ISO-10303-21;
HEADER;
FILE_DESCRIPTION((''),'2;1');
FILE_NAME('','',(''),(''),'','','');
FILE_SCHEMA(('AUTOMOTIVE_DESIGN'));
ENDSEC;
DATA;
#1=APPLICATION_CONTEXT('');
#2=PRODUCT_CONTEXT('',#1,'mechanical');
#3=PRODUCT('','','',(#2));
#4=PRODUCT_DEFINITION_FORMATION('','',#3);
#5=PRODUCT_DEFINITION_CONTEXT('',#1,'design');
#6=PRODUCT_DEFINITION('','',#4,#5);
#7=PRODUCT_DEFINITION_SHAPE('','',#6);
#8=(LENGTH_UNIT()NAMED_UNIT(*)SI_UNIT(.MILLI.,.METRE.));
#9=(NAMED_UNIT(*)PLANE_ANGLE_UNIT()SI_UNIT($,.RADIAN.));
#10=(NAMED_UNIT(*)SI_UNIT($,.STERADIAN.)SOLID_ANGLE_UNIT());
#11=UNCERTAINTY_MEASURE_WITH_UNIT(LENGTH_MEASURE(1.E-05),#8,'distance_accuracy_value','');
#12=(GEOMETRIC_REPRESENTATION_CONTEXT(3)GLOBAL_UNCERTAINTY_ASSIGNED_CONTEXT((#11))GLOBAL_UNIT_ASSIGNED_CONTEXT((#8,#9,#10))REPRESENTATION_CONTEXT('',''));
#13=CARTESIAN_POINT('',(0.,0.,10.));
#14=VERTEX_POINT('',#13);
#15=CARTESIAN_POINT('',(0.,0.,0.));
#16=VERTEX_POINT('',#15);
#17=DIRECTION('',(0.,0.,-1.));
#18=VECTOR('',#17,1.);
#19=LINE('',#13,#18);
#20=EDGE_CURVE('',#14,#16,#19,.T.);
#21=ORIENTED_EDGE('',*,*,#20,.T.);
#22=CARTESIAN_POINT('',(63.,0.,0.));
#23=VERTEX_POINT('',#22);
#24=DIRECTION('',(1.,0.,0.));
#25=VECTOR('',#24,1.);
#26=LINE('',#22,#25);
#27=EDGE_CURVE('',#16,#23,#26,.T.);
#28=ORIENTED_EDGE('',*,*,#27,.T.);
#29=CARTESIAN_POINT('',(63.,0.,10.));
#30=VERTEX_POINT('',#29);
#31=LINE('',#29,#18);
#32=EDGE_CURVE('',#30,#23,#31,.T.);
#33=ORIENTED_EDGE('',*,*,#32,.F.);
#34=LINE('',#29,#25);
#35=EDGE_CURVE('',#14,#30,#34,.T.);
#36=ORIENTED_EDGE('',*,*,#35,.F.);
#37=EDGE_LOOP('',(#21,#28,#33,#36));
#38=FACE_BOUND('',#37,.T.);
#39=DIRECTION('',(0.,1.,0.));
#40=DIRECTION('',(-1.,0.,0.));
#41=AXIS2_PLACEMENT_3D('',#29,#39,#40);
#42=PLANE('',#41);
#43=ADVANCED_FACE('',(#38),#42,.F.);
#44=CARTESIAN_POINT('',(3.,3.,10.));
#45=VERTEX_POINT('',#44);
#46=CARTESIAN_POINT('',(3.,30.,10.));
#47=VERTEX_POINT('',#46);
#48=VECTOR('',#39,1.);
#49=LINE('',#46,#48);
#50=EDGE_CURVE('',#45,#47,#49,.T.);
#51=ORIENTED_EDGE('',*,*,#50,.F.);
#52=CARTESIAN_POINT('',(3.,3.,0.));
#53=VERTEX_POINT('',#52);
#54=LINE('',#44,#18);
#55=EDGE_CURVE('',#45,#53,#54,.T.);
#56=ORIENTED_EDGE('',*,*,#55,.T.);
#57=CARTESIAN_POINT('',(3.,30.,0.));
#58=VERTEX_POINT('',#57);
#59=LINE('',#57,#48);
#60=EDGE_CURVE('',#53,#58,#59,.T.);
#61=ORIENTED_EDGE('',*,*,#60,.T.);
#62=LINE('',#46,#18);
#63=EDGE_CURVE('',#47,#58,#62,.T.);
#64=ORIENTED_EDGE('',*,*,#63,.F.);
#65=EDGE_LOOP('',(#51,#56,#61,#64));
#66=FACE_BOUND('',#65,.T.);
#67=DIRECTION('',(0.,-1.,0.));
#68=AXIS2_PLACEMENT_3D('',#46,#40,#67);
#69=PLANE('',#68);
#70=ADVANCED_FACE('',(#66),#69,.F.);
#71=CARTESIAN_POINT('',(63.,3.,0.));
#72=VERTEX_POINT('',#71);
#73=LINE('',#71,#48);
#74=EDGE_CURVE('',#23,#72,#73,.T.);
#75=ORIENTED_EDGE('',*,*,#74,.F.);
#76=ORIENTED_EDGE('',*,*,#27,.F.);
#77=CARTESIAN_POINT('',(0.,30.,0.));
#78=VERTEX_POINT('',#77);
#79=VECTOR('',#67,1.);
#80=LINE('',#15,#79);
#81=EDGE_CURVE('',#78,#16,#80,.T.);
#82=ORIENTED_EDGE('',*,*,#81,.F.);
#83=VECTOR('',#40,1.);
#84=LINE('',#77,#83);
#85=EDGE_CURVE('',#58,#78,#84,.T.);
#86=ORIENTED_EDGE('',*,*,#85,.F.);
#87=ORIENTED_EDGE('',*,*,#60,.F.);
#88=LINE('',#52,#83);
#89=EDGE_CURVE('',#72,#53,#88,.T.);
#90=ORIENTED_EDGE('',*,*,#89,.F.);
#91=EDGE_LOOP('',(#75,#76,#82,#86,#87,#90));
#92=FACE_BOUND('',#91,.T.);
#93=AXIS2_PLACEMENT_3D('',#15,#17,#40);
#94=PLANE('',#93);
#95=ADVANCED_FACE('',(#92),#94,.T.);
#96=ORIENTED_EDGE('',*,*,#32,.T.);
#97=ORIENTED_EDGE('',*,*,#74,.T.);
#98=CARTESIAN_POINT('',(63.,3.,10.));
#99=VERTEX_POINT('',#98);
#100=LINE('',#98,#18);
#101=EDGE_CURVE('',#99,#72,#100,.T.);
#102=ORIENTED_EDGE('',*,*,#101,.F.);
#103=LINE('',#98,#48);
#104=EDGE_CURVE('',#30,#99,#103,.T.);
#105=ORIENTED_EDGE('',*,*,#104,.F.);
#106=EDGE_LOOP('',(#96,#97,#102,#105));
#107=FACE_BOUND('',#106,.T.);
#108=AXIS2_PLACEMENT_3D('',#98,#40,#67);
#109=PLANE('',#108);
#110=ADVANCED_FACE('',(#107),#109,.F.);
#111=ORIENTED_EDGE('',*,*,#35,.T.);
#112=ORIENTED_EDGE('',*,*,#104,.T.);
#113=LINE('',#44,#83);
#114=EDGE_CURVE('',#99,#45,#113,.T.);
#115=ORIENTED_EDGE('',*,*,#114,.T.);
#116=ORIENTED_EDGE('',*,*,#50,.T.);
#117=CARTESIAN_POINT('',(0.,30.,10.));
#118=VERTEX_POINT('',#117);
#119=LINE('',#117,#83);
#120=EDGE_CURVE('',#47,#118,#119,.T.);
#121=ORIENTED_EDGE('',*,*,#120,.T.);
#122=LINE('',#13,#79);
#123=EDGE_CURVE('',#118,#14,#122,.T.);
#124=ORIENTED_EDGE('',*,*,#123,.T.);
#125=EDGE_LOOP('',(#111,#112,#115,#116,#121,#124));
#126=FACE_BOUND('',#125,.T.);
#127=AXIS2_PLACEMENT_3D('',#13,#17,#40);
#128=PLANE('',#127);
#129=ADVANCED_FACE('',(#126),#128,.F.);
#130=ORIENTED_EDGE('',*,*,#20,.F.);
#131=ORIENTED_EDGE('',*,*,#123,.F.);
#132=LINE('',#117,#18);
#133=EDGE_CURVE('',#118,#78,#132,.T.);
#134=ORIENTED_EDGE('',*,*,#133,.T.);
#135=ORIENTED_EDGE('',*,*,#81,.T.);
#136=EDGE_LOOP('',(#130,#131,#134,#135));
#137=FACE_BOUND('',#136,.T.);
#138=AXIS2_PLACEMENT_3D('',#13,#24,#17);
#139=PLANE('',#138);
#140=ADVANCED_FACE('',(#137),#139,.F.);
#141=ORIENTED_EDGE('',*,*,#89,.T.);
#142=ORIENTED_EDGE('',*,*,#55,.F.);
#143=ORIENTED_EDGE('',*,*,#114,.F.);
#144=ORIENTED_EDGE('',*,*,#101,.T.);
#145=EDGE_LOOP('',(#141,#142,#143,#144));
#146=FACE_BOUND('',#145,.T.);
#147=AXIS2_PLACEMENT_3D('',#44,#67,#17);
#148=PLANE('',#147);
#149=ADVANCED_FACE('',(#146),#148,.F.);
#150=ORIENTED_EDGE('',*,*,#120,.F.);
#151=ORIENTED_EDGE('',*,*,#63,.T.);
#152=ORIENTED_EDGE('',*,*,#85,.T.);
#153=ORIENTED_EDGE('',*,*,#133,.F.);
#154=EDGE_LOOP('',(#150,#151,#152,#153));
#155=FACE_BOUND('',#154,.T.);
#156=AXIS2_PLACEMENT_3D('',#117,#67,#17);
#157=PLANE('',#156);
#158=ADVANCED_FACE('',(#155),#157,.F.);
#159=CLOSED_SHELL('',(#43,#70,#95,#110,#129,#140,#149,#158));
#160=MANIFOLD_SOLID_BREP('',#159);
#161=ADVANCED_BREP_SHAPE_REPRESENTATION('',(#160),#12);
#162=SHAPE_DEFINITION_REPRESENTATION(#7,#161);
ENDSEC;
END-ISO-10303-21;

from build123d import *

# Parameters (mm, degrees)
BOSS_EXTRUDE1_DEPTH = 10


with BuildPart() as part:
    # Sketch1 → Boss-Extrude1 (new body)
    with BuildSketch(Plane.XY):
        Polygon((0, 0), (0, 30), (3, 30), (3, 3), (63, 3), (63, 0), align=None)
    extrude(amount=BOSS_EXTRUDE1_DEPTH)


solid = part.part
